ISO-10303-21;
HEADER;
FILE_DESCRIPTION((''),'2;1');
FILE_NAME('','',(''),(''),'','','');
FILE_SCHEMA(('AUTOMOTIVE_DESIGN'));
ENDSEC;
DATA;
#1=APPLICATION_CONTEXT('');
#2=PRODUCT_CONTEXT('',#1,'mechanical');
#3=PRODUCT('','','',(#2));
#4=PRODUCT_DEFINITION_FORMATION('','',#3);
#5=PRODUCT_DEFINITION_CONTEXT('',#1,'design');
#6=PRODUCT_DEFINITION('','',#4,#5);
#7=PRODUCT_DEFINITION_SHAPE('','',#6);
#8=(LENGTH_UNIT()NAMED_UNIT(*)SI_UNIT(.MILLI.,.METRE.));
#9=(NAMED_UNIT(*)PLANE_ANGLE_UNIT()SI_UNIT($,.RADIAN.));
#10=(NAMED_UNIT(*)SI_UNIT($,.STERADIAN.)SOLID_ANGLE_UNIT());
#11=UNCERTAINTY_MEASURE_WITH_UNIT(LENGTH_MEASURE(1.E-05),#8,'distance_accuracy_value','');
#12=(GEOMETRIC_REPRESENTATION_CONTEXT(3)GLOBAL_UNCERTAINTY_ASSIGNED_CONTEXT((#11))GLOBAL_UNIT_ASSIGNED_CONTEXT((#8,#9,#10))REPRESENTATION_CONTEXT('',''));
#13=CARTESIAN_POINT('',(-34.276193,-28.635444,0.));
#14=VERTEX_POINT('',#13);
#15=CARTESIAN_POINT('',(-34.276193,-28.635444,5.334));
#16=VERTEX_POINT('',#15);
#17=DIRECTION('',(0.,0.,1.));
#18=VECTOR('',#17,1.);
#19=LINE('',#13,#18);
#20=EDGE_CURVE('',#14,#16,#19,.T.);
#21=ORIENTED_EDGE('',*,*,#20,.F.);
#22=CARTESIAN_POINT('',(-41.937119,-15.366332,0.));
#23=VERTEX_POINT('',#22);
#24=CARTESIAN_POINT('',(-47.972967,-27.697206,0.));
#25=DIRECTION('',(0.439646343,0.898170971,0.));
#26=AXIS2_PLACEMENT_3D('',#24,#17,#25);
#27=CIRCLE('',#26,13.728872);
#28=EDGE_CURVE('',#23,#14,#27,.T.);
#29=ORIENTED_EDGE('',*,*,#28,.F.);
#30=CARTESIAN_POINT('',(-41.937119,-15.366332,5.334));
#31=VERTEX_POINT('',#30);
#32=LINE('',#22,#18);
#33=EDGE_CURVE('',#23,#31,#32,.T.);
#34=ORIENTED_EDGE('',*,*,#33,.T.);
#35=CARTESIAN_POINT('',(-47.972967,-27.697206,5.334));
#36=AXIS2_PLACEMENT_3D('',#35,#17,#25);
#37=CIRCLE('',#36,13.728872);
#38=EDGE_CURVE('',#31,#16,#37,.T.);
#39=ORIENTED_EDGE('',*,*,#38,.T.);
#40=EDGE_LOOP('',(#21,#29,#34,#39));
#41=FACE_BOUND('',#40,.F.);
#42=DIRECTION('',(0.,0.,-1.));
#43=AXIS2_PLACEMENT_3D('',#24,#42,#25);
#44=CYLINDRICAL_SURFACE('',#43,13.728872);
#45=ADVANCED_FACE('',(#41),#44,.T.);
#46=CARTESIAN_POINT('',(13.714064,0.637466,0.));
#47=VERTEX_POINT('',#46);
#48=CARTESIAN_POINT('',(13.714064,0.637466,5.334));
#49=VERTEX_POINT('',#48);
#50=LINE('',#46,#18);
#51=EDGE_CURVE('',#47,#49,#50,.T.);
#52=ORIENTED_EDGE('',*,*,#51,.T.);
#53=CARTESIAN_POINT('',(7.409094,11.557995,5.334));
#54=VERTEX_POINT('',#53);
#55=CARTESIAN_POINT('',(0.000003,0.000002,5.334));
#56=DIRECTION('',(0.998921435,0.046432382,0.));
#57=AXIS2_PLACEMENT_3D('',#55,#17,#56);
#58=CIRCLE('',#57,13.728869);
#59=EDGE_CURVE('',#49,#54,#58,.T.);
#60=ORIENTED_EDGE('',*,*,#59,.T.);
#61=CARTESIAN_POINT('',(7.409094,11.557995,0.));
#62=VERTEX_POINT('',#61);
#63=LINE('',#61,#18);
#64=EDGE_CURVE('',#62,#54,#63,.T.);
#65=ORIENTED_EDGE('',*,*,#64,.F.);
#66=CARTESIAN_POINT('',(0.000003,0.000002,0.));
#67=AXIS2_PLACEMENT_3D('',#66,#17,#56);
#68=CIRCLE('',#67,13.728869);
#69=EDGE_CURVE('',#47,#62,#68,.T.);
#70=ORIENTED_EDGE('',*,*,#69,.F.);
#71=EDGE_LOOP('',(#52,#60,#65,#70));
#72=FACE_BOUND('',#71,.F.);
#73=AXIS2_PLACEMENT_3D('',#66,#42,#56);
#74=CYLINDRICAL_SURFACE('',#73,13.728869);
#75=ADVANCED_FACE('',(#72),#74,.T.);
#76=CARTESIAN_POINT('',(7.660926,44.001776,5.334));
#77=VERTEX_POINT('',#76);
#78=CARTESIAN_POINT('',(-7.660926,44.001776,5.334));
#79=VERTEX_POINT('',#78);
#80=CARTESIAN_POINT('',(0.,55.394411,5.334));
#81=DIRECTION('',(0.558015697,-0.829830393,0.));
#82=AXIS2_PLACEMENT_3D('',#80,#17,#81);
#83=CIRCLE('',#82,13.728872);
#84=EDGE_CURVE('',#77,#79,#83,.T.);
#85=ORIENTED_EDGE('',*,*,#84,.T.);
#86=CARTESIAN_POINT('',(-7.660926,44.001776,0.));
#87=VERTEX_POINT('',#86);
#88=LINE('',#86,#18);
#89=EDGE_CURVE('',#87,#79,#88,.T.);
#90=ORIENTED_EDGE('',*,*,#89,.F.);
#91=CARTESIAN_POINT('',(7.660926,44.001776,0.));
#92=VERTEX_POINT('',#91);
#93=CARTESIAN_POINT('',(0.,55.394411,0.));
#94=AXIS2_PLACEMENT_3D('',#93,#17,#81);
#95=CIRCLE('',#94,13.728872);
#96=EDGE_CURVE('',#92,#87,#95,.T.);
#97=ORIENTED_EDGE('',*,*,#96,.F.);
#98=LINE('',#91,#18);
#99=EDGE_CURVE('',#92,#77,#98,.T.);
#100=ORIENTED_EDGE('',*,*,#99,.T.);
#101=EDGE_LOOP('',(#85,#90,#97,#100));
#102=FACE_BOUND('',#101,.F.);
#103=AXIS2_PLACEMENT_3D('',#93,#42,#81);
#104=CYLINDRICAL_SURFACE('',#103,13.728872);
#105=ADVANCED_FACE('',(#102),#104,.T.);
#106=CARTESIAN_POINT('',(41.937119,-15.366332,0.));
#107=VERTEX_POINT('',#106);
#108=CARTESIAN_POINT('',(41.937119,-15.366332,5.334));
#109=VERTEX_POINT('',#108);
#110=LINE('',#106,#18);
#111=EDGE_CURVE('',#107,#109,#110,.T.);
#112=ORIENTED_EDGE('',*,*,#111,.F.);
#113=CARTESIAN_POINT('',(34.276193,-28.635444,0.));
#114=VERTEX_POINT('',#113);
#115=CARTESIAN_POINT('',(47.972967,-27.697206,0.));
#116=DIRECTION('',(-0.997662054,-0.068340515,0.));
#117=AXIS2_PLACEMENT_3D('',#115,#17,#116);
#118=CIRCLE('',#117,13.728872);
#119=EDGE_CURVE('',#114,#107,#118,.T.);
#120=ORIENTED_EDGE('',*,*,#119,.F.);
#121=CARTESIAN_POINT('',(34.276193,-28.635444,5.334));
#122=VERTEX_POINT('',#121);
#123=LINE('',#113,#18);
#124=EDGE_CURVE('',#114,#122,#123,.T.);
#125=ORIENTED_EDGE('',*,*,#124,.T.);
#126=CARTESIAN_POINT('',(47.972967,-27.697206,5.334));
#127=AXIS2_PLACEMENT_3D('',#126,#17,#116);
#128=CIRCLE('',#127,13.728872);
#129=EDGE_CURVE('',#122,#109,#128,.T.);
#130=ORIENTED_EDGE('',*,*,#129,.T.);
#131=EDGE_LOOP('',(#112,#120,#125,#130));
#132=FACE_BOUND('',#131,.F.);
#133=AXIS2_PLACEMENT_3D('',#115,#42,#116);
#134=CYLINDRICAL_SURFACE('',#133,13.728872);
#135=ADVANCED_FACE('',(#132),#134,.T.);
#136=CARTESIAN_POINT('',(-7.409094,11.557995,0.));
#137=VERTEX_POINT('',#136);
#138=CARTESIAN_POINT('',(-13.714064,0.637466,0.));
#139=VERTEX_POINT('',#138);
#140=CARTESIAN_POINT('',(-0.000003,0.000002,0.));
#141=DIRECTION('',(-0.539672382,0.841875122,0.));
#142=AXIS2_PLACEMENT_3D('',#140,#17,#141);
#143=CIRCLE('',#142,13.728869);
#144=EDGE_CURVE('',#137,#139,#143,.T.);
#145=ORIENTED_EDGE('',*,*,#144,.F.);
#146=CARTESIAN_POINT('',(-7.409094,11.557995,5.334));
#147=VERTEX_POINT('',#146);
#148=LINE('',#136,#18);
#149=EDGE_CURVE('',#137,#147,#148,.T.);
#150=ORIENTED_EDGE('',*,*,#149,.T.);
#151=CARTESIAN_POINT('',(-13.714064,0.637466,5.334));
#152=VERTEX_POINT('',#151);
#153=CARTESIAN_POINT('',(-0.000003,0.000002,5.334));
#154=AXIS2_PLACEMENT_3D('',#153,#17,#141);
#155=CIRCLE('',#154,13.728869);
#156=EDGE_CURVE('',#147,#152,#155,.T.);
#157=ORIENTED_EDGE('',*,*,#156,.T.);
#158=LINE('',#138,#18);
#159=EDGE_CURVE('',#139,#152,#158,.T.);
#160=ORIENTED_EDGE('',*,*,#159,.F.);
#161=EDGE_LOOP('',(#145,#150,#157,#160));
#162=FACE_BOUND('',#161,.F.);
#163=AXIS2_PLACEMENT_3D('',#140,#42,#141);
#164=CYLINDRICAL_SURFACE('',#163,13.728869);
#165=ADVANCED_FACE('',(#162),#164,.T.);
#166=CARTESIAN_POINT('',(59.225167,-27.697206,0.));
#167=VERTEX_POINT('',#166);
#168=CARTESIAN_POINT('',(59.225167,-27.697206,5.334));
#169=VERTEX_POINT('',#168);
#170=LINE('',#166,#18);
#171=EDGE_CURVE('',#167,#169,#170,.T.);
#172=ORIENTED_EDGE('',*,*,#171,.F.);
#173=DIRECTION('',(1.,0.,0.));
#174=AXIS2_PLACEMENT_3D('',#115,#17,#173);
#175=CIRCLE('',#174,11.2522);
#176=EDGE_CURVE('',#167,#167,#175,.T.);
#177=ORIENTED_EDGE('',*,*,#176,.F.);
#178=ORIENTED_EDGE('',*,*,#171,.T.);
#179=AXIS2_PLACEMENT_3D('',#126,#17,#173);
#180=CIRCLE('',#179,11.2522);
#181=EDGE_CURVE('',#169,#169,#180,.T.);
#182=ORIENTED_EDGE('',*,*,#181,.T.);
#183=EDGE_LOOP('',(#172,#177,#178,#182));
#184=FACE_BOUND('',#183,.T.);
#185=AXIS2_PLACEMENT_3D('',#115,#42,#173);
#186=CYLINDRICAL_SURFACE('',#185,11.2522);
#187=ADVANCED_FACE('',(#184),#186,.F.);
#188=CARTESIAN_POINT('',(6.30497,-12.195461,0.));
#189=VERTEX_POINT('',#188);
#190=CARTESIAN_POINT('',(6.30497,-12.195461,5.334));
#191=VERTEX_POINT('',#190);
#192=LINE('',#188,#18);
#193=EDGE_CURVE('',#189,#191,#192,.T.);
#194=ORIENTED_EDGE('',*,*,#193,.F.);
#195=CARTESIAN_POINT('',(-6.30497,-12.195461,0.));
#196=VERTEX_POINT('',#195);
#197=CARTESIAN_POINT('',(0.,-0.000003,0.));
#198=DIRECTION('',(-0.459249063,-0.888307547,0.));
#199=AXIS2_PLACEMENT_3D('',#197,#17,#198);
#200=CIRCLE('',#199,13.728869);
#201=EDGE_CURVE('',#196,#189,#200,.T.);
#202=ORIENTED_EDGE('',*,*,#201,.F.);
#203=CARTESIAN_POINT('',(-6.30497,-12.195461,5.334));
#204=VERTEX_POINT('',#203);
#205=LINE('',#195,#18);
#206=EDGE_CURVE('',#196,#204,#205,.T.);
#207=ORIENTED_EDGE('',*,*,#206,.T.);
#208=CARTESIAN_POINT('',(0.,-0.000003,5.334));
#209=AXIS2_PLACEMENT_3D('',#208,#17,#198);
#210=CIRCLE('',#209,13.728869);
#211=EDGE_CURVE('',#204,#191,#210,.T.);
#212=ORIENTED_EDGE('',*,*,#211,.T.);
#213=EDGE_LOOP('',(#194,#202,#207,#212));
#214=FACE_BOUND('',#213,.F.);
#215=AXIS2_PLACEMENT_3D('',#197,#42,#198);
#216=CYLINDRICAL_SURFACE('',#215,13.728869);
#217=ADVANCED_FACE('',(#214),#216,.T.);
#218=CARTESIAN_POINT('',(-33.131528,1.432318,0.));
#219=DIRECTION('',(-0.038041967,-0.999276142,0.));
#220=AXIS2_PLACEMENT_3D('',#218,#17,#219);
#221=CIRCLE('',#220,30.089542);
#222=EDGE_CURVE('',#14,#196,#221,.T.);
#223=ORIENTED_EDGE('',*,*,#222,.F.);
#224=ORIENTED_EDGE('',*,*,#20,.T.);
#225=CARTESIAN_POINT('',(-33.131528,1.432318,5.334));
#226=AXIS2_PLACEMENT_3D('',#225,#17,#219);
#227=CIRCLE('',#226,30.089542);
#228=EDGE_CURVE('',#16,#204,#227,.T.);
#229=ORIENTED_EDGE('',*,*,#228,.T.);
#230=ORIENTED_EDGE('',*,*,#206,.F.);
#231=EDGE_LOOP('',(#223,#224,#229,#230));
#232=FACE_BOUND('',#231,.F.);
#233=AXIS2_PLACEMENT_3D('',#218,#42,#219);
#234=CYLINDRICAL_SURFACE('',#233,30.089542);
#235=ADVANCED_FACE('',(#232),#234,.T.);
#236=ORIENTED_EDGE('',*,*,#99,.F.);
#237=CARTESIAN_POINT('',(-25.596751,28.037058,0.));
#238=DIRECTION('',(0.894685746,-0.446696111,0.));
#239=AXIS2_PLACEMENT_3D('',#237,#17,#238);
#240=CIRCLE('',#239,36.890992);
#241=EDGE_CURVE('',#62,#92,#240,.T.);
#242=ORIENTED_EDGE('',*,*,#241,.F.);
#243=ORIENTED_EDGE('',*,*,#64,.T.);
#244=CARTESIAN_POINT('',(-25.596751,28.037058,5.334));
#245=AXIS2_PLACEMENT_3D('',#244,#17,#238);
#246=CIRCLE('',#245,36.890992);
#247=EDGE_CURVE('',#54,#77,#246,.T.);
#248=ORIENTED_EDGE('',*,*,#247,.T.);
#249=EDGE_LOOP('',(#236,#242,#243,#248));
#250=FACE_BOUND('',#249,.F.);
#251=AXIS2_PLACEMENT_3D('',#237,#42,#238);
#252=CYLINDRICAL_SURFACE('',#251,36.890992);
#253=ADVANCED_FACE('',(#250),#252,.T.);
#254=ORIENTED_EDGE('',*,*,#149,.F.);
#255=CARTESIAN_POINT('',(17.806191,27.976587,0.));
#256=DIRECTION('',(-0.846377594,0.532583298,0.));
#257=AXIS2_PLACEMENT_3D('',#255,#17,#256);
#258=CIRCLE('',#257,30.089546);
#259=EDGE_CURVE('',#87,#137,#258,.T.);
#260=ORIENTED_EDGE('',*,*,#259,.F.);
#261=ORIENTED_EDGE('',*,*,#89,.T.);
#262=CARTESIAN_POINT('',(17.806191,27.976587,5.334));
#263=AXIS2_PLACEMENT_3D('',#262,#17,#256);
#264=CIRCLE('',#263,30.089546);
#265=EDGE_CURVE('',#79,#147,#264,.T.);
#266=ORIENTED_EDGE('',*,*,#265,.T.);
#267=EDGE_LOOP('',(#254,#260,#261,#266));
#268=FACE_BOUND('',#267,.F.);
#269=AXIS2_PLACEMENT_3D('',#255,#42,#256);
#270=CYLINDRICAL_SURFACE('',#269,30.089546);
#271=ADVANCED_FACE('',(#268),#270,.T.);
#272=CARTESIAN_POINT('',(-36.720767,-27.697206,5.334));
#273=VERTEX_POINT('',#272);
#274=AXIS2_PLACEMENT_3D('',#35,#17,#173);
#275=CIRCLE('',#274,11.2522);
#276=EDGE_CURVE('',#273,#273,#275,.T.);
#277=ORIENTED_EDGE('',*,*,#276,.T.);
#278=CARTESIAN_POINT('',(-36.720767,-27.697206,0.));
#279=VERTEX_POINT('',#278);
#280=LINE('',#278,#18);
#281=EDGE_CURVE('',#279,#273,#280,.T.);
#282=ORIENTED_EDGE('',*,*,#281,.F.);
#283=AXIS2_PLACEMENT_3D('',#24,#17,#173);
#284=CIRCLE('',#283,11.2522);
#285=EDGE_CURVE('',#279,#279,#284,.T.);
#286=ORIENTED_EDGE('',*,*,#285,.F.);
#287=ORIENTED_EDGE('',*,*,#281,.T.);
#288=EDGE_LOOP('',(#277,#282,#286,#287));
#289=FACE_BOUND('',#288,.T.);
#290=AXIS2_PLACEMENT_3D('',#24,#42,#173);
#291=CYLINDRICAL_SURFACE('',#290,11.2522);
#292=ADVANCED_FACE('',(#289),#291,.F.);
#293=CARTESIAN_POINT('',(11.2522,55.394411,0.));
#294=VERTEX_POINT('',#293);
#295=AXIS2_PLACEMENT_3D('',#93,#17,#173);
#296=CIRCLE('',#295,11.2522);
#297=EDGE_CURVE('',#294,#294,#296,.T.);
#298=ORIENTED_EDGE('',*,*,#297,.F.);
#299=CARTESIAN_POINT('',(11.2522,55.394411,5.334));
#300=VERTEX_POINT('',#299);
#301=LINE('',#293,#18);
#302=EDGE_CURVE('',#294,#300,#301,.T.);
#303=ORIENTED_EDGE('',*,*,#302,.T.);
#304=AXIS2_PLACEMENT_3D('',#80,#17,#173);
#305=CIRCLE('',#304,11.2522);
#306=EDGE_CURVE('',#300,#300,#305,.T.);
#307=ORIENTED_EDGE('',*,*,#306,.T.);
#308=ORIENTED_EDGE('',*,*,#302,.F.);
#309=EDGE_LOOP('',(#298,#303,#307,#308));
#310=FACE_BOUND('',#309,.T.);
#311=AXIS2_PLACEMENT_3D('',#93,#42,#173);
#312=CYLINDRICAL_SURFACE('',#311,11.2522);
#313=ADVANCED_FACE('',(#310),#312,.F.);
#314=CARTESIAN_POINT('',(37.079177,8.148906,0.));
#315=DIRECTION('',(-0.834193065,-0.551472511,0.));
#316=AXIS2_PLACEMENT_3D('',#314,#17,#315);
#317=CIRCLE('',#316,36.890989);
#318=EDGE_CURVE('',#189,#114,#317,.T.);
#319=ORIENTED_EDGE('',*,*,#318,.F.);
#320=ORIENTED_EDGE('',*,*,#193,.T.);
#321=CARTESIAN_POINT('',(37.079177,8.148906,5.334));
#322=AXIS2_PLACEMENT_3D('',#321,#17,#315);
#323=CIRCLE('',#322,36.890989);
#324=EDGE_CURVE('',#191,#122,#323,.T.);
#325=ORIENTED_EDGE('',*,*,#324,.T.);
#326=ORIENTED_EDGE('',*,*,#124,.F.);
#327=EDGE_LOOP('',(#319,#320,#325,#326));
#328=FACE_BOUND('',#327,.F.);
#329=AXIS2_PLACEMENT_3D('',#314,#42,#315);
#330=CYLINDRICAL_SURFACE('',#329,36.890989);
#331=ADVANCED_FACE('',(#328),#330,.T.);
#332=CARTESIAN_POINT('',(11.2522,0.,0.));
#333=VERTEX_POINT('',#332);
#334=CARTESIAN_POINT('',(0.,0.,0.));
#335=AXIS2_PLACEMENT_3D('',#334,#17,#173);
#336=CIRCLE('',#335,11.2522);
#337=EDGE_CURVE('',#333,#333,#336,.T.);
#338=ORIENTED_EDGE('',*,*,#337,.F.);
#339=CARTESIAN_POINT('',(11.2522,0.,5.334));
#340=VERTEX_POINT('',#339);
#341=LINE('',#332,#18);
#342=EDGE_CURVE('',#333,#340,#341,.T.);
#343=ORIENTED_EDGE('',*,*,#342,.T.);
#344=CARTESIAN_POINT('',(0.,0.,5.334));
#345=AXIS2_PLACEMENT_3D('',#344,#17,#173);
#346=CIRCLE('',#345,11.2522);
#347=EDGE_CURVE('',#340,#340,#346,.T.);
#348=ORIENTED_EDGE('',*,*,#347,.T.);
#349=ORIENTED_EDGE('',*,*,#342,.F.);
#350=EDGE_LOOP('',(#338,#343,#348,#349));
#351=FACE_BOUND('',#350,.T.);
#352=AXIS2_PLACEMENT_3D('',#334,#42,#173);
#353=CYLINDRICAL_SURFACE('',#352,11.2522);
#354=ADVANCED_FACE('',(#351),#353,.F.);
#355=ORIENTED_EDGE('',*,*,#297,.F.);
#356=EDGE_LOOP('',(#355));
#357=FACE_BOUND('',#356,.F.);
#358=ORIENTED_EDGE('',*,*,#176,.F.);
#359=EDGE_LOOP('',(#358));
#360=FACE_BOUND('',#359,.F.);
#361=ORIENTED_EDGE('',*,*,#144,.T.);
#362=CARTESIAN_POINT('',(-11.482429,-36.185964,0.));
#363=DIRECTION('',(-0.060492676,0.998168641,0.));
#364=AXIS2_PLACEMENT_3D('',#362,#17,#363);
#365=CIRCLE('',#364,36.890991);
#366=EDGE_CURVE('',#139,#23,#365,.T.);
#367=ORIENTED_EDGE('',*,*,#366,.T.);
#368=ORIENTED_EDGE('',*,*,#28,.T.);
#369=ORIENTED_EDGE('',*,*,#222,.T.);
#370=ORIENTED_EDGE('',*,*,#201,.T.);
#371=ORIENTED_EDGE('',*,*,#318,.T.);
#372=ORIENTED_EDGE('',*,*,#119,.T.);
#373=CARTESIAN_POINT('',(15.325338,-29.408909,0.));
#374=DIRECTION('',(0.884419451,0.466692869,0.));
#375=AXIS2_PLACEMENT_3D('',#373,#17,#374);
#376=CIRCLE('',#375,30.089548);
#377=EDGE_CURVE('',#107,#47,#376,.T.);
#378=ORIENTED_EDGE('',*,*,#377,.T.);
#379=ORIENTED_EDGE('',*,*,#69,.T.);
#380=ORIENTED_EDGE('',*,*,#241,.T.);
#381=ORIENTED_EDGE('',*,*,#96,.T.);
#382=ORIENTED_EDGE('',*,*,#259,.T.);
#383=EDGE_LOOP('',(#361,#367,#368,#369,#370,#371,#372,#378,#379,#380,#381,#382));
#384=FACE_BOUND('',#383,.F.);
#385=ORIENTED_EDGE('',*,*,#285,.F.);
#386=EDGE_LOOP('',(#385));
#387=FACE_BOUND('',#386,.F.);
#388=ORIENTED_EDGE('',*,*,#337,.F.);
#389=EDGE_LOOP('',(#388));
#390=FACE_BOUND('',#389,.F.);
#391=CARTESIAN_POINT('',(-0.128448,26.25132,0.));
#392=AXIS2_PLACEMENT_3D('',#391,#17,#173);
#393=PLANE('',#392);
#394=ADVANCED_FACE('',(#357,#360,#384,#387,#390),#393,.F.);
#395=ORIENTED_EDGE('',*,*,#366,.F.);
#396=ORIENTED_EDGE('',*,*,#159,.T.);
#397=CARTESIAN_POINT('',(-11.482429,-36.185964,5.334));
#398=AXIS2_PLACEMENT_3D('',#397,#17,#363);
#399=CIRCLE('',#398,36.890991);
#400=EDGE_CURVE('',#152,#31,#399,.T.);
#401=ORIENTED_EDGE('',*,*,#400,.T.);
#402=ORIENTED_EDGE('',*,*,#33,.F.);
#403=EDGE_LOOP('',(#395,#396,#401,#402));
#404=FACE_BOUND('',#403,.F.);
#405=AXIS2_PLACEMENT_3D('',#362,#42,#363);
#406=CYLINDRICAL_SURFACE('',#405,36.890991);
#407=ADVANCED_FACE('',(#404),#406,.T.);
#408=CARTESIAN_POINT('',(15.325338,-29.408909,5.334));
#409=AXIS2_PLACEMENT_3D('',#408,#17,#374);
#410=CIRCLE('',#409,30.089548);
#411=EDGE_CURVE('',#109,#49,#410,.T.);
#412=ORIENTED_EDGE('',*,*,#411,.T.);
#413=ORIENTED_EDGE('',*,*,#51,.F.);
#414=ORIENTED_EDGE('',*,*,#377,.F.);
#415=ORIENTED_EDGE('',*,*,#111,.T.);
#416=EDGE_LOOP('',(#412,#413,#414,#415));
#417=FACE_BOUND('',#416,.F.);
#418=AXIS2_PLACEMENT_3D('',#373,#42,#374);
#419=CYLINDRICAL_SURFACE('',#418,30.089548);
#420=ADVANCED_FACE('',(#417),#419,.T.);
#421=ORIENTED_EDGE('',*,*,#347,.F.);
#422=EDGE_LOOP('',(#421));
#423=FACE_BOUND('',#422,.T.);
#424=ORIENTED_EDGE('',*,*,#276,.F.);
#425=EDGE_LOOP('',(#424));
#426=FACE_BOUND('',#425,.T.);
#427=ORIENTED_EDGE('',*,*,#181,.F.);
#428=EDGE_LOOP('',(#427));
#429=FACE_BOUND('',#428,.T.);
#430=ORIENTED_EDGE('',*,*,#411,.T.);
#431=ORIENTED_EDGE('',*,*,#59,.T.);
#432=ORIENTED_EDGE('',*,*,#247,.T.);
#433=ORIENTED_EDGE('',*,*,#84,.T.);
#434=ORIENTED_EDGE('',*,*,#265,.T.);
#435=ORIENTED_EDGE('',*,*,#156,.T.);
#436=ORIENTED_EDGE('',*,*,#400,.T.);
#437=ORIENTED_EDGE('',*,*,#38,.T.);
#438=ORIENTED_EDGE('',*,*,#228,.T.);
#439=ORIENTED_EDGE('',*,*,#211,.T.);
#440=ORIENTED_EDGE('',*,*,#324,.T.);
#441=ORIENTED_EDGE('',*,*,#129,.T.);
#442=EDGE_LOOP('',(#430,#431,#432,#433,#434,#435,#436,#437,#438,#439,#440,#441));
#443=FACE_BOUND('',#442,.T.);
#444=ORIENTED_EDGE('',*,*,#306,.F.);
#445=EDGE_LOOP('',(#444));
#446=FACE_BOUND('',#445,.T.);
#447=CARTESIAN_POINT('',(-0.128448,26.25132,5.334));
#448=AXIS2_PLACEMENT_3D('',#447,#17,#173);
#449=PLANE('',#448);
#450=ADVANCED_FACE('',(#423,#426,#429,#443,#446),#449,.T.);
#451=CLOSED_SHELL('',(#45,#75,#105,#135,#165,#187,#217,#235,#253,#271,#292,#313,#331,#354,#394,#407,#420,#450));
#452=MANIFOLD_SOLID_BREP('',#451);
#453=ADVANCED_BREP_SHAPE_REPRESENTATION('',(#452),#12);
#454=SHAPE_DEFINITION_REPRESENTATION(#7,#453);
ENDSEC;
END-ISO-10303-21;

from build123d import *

# Parameters (mm, degrees)
F0_R     = 11.2522
F1_DEPTH = 5.334


with BuildPart() as f1:
    # F0 (on Top) → F1 (new body)
    with BuildSketch(Plane.XY):
        with BuildLine():
            ThreePointArc((7.409094, 11.557995), (11.29313, 27.750714), (7.660926, 44.001776))
            ThreePointArc((7.660926, 44.001776), (0, 69.123283), (-7.660926, 44.001776))
            ThreePointArc((-7.660926, 44.001776), (-12.282448, 27.743035), (-7.409094, 11.557995))
            ThreePointArc((-7.409094, 11.557995), (-11.889552, 6.864436), (-13.714064, 0.637466))
            ThreePointArc((-13.714064, 0.637466), (-11.889552, -6.864436), (-6.30497, -12.195461))
            ThreePointArc((-6.30497, -12.195461), (0, -13.728872), (6.30497, -12.195461))
            ThreePointArc((6.30497, -12.195461), (11.889552, -6.864436), (13.714064, 0.637466))
            ThreePointArc((13.714064, 0.637466), (11.889552, 6.864436), (7.409094, 11.557995))
        make_face()
        Circle(F0_R, mode=Mode.SUBTRACT)
        with Locations((0, 55.394411)):
            Circle(F0_R, mode=Mode.SUBTRACT)
        with BuildLine():
            ThreePointArc((-6.30497, -12.195461), (-11.889552, -6.864436), (-13.714064, 0.637466))
            ThreePointArc((-13.714064, 0.637466), (-29.679389, -4.09522), (-41.937119, -15.366332))
            ThreePointArc((-41.937119, -15.366332), (-59.862519, -34.561641), (-34.276193, -28.635444))
            ThreePointArc((-34.276193, -28.635444), (-17.884949, -24.50843), (-6.30497, -12.195461))
        make_face()
        with Locations((-47.972967, -27.697206)):
            Circle(F0_R, mode=Mode.SUBTRACT)
        with BuildLine():
            ThreePointArc((41.937119, -15.366332), (30.167397, -3.234606), (13.714064, 0.637466))
            ThreePointArc((13.714064, 0.637466), (11.889552, -6.864436), (6.30497, -12.195461))
            ThreePointArc((6.30497, -12.195461), (18.386259, -23.655495), (34.276193, -28.635444))
            ThreePointArc((34.276193, -28.635444), (59.862519, -34.561641), (41.937119, -15.366332))
        make_face()
        with Locations((47.972967, -27.697206)):
            Circle(F0_R, mode=Mode.SUBTRACT)
    extrude(amount=F1_DEPTH)


solid = f1.part
